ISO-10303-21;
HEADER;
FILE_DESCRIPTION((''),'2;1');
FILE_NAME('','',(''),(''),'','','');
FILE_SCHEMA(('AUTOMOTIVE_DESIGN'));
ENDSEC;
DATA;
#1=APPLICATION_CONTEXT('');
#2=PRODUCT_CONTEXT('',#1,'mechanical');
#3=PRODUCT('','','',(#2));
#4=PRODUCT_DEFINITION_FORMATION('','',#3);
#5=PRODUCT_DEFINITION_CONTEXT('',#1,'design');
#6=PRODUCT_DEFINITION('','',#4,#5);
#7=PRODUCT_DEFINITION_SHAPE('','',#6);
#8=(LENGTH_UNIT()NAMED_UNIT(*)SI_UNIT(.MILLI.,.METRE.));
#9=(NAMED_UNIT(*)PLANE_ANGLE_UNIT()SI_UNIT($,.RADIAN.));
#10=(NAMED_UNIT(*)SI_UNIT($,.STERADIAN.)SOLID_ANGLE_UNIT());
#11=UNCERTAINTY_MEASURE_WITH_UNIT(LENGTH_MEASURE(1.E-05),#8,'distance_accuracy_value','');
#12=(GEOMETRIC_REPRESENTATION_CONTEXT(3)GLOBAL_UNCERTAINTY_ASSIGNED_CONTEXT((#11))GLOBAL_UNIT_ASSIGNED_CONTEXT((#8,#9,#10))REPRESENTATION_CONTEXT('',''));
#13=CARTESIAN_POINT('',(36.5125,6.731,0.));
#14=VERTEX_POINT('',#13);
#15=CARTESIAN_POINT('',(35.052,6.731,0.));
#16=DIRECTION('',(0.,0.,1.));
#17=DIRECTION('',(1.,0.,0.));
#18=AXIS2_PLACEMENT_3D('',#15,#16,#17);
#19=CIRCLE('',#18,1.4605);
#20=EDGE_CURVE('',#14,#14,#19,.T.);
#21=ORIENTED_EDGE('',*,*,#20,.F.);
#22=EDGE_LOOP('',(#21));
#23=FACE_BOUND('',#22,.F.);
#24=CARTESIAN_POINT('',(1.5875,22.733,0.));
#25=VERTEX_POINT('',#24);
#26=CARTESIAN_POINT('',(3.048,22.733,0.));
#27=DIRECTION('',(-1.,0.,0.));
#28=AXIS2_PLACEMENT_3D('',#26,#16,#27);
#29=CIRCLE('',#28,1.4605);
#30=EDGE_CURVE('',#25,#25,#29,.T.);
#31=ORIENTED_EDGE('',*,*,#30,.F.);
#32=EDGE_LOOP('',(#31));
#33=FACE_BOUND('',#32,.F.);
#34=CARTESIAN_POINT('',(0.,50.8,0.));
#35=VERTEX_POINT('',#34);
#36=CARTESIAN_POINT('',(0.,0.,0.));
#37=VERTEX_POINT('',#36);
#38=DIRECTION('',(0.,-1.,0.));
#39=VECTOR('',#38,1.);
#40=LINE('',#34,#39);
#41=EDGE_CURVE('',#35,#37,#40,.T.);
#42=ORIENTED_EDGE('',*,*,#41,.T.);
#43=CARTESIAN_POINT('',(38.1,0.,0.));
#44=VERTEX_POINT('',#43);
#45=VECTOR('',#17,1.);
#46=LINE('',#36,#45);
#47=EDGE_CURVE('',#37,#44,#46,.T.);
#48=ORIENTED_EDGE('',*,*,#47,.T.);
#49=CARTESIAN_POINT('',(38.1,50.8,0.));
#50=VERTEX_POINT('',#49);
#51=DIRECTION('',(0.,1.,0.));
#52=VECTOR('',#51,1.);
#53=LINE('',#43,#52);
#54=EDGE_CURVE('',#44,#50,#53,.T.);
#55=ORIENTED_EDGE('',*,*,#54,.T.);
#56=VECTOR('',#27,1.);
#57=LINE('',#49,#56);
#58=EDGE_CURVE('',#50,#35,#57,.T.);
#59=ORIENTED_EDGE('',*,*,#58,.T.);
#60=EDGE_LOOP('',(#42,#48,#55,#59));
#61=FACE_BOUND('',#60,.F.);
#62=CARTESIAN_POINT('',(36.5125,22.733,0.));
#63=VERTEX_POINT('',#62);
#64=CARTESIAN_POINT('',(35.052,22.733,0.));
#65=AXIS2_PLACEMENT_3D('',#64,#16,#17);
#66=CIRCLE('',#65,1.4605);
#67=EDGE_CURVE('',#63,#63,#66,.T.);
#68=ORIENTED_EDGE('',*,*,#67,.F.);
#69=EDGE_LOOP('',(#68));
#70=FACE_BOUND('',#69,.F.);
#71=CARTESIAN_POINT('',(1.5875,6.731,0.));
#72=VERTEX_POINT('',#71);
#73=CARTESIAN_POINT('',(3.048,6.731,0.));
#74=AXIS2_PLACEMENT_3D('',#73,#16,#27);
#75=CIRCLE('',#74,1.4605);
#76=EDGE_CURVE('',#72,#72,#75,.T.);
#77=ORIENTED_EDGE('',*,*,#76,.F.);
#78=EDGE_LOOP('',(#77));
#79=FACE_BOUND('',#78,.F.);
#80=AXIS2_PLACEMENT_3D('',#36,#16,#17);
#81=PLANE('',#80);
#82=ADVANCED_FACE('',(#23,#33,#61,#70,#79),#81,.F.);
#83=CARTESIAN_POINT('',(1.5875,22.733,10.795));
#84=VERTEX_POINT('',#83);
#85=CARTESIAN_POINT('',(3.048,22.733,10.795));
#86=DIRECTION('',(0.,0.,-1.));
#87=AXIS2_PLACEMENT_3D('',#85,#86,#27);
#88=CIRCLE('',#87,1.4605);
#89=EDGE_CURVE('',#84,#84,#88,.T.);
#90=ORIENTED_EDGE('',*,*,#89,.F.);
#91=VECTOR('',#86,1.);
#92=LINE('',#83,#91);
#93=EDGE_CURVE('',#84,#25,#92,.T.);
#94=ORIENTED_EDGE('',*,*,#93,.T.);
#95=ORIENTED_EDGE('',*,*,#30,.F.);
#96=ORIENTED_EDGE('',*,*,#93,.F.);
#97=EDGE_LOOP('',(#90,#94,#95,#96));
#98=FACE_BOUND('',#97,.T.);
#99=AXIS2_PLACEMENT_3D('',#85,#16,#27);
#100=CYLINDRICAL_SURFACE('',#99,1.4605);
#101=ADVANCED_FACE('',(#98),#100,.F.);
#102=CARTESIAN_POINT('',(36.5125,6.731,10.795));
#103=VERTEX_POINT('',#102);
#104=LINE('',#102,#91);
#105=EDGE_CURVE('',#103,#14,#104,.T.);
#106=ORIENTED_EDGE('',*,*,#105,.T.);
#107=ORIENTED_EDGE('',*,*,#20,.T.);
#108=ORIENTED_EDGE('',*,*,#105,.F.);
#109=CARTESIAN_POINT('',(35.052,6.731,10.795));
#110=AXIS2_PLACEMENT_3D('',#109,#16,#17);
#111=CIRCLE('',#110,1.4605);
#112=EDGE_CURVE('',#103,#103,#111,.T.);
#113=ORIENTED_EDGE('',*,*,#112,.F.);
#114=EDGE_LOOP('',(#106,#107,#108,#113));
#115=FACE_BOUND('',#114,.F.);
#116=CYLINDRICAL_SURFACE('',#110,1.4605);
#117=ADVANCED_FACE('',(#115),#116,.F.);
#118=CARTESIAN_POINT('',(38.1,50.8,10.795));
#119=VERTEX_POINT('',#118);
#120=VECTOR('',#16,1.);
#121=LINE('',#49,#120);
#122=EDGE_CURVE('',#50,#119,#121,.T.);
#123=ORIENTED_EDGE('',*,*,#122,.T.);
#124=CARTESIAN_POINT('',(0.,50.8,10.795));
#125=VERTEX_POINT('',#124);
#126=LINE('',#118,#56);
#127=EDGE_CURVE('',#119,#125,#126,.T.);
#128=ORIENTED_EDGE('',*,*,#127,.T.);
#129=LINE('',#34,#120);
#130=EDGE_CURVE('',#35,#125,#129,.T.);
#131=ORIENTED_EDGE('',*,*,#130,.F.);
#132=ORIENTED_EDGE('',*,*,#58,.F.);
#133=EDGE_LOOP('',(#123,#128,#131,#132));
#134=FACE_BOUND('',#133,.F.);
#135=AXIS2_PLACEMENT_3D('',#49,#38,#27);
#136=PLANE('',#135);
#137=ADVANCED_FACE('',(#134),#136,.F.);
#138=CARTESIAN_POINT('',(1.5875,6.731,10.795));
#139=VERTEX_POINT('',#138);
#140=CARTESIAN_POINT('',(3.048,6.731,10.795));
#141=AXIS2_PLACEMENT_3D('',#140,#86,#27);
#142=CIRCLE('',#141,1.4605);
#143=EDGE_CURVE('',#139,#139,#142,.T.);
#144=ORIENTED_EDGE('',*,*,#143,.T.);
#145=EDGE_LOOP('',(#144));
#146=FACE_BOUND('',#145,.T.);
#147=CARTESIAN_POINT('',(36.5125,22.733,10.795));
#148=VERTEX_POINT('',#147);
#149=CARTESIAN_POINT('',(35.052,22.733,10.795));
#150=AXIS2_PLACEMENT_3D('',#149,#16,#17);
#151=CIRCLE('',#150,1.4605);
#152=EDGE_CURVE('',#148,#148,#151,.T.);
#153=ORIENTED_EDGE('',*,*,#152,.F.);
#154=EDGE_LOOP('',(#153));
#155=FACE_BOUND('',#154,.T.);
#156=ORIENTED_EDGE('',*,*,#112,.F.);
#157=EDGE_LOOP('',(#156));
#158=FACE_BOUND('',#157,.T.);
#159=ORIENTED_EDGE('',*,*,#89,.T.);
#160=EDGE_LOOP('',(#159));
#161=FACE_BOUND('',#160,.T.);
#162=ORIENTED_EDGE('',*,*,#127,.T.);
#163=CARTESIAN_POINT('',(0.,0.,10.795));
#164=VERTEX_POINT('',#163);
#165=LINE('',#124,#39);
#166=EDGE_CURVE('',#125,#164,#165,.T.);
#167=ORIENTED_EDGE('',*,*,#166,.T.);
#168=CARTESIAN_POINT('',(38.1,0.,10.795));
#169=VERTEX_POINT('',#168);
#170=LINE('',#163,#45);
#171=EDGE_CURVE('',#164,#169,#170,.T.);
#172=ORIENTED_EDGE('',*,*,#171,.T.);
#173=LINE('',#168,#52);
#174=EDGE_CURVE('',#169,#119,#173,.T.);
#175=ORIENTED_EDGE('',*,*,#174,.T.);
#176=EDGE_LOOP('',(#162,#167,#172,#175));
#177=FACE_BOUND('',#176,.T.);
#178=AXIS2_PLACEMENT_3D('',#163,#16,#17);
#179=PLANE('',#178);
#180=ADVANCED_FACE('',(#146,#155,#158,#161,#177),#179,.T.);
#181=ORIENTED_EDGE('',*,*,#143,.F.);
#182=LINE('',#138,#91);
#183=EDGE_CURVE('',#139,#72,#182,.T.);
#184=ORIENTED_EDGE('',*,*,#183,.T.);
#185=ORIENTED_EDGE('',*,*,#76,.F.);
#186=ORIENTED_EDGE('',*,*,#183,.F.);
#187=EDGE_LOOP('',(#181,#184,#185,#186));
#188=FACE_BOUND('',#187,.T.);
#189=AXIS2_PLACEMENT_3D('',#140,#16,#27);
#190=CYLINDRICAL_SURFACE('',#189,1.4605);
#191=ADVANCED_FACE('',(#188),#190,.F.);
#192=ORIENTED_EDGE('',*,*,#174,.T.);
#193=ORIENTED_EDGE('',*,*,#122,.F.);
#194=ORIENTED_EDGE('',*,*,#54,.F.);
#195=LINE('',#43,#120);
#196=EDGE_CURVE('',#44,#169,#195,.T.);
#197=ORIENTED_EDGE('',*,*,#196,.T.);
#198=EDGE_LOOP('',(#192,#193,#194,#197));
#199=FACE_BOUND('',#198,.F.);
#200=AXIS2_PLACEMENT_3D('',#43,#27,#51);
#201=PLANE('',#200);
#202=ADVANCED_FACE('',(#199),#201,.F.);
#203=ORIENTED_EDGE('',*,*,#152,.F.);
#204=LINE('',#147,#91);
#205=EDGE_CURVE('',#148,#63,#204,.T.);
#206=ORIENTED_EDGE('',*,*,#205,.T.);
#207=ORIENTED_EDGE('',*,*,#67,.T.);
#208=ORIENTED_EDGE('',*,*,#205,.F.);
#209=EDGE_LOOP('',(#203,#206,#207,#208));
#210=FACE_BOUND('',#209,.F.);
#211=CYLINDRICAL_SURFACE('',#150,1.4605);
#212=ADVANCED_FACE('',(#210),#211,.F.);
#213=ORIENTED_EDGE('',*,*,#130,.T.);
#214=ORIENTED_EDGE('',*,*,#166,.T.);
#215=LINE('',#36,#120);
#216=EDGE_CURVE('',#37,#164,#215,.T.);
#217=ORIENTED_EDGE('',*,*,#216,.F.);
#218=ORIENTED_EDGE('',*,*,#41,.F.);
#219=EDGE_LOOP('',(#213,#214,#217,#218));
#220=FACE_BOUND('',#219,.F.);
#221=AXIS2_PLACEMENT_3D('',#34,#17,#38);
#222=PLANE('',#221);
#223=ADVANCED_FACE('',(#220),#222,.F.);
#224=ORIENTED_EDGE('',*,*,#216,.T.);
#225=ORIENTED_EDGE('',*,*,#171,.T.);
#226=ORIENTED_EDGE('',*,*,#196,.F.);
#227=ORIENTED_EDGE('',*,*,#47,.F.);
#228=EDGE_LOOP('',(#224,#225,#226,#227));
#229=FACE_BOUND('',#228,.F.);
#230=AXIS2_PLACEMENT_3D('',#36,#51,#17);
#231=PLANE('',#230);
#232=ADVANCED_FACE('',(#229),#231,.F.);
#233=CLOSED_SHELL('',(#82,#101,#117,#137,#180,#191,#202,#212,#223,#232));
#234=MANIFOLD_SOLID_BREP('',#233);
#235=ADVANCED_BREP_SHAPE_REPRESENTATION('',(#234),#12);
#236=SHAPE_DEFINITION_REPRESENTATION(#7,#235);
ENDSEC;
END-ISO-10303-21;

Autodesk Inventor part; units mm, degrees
ref_plane "YZ Plane" through (0, 0, 0) normal (1, 0, 0) x (0, 1, 0)
ref_plane "XZ Plane" through (0, 0, 0) normal (0, 1, 0) x (-1, 0, 0)
sketch "Sketch1" plane through (0, 0, 0) normal (0, 0, 1) x (1, 0, 0)
  line L0 (0, 0) -> (38.1, 0)
  line L1 (38.1, 0) -> (38.1, 50.8)
  line L2 (38.1, 50.8) -> (0, 50.8)
  line L3 (0, 50.8) -> (0, 0)
  dimension "d0" = 38.1
  dimension "d1" = 50.8
extrude "Extrusion1" add sketch "Sketch1" along normal blind 10.795
sketch "Sketch2" plane through (0, 0, 10.795) normal (0, 0, 1) x (1, 0, 0)
  line L0 (38.1, 0) -> (38.1, 50.8) projected
  line L1 (0, 0) -> (38.1, 0) projected
  circle A0 centre (35.052, 6.731) radius 1.4605
  circle A1 centre (35.052, 22.733) radius 1.4605
  dimension "d4" = 3.048
  dimension "d5" = 3.048
  dimension "d6" = 16.002
  dimension "d7" = 6.731
  dimension "d8" = 2.921
  dimension "d9" = 2.921
extrude "Extrusion2" cut sketch "Sketch2" against normal through all
ref_plane "Work Plane1" through (19.05, 0, 0) normal (1, 0, 0) x (0, 0, -1)
mirror "Mirror1" about plane through (19.05, 0, 0) normal (1, 0, 0) of "Extrusion2"
properties part number "Motor spacer"
